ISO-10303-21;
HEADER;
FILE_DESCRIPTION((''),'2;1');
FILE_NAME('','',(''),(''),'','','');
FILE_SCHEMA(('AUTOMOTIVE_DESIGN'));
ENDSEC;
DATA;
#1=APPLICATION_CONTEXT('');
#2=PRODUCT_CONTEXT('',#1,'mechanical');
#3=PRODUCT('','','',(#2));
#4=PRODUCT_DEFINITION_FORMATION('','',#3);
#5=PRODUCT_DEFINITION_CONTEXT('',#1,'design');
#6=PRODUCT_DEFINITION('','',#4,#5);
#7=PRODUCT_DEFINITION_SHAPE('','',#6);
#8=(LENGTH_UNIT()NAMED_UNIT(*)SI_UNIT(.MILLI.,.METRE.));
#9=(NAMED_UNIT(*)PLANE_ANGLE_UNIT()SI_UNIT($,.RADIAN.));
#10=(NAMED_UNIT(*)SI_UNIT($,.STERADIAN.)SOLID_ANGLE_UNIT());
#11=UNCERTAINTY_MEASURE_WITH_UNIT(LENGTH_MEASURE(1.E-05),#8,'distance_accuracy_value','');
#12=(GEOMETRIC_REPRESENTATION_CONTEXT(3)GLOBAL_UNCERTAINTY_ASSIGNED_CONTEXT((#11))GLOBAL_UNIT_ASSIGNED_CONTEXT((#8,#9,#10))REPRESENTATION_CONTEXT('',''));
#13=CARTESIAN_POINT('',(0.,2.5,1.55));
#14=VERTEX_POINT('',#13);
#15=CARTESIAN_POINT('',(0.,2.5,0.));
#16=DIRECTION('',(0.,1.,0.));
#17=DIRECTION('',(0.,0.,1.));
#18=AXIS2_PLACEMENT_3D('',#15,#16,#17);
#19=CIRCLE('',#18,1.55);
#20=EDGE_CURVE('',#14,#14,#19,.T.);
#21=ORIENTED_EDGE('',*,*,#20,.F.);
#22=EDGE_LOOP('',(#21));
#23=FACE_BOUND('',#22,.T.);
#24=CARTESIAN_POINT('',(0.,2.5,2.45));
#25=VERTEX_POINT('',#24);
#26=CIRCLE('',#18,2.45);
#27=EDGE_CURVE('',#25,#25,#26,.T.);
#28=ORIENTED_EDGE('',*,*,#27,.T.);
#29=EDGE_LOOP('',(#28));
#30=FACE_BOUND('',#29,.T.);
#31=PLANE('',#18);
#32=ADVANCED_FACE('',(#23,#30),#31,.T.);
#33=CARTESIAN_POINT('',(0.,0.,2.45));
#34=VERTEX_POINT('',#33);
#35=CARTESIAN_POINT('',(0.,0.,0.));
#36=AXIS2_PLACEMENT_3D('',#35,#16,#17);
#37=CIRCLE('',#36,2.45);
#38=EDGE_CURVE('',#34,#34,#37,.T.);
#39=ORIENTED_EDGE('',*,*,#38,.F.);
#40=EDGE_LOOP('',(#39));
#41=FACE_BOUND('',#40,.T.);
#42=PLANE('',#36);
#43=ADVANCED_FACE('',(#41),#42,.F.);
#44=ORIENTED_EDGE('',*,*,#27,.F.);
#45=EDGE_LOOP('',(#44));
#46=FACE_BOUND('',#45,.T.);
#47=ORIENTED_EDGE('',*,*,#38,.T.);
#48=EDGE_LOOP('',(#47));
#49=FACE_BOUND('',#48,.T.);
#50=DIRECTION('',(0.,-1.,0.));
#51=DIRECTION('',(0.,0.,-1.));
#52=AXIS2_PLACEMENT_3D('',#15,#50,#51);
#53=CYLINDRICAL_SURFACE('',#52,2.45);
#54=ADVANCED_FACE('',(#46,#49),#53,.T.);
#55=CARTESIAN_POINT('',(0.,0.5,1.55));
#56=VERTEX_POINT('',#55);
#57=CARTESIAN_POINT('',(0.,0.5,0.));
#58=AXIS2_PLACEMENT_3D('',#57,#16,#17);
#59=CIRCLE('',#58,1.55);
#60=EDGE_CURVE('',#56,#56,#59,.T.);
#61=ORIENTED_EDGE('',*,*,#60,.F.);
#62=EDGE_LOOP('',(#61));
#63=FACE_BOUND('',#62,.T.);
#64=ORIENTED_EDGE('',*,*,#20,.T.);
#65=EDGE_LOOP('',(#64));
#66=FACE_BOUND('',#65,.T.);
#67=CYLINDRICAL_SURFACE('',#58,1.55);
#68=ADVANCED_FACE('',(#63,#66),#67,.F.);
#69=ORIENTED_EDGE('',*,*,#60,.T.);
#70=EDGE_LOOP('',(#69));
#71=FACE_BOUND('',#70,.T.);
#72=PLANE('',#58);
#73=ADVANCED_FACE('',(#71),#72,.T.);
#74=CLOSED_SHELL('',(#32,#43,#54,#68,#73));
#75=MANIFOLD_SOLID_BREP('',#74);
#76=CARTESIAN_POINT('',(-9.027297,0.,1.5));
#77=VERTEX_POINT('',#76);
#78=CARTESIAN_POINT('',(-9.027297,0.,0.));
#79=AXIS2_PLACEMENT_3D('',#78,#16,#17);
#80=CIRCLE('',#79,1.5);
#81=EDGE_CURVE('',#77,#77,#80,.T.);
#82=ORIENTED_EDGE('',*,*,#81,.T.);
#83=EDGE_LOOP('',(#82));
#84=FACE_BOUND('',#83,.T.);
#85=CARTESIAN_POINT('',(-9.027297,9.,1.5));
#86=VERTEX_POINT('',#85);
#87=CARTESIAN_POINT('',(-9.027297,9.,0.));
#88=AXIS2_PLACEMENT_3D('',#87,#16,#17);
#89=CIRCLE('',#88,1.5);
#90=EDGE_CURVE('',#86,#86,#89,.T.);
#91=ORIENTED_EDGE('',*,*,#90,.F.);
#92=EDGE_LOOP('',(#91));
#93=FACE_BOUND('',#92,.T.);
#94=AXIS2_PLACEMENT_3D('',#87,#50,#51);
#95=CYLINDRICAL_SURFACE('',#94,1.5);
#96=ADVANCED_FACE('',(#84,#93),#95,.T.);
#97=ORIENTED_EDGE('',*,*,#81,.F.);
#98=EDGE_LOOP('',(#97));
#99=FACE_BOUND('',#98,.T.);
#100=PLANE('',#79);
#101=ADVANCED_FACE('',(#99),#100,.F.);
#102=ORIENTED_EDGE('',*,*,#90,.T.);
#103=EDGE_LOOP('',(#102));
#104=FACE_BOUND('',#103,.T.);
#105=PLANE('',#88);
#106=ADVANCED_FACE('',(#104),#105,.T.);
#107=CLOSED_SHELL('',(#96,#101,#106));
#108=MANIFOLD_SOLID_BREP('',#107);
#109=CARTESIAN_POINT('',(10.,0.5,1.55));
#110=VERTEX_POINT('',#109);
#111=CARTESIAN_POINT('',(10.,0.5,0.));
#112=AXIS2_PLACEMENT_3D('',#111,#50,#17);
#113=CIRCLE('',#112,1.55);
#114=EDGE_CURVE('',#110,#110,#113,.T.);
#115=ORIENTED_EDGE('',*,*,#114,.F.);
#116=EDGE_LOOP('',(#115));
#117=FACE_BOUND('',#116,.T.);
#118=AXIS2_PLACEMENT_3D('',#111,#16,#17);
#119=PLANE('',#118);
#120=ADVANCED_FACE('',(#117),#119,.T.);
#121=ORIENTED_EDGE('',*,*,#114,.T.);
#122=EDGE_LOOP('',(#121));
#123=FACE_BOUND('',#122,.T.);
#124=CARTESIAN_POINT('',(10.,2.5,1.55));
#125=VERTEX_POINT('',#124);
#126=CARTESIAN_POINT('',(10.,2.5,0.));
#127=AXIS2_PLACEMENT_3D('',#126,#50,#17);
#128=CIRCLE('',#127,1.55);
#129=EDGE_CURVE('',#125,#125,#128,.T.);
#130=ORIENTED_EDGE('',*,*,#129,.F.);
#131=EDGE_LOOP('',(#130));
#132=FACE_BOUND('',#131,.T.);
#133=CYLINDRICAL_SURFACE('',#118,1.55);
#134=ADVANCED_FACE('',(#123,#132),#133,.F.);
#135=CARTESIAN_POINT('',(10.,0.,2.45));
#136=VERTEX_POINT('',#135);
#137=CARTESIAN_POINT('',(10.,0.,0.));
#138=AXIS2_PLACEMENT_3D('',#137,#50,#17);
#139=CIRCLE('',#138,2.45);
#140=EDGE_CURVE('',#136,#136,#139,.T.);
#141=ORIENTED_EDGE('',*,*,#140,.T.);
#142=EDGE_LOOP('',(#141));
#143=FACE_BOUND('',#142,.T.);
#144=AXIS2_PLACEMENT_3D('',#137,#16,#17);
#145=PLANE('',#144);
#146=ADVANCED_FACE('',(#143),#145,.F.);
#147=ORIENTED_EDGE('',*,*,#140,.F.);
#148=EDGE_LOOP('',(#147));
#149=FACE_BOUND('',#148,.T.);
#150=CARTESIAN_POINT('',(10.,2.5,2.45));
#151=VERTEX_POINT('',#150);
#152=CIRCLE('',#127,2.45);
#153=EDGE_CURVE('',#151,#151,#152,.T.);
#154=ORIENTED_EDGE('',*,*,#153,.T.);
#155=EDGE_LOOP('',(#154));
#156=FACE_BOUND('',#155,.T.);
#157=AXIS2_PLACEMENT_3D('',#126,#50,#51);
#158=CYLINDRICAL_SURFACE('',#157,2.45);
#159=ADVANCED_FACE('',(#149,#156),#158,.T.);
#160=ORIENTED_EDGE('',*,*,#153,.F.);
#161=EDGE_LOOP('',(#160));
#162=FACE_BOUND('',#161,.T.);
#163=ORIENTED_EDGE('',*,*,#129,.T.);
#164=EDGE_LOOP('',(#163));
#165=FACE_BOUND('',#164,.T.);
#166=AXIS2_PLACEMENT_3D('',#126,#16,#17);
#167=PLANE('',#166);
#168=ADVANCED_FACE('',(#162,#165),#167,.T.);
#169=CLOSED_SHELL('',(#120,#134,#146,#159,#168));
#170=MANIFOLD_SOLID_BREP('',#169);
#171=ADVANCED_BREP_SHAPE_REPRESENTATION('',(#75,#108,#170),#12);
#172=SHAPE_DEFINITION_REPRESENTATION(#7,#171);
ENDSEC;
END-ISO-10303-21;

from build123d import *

# Parameters (mm, degrees)
SKETCH1_R           = 2.45
BOSS_EXTRUDE1_DEPTH = 2.5
SKETCH2_R           = 1.5
BOSS_EXTRUDE2_DEPTH = 9
SKETCH4_R           = 1.55
CUT_EXTRUDE1_DEPTH  = 2


with BuildPart() as part:
    # Sketch1 → Boss-Extrude1 (new body)
    with BuildSketch(Plane(origin=(0, 0, 0), x_dir=(1, 0, 0), z_dir=(0, 1, 0))):
        with Locations(Location((0, 0, 0), (0, 0, 270))):
            Circle(SKETCH1_R)
    extrude(amount=BOSS_EXTRUDE1_DEPTH)

    # Sketch4 → Cut-Extrude1 (cut)
    with BuildSketch(Plane(origin=(0, 2.5, 0), x_dir=(1, 0, 0), z_dir=(0, 1, 0))):
        with Locations(Location((0, 0, 0), (0, 0, 270))):
            Circle(SKETCH4_R)
    extrude(amount=-CUT_EXTRUDE1_DEPTH, mode=Mode.SUBTRACT)


with BuildPart() as body_2:
    # Sketch2 → Boss-Extrude2 (new body)
    with BuildSketch(Plane(origin=(0, 0, 0), x_dir=(1, 0, 0), z_dir=(0, 1, 0))):
        with Locations(Location((-9.027296586, 0, 0), (0, 0, 270))):
            Circle(SKETCH2_R)
    extrude(amount=BOSS_EXTRUDE2_DEPTH)


with BuildPart() as body_3:
    # Mirror1: mirrored copy
    add(part.part.mirror(Plane(origin=(5, 0, 0), x_dir=(0, 0, 1), z_dir=(1, 0, 0))))


solid = Compound([part.part, body_2.part, body_3.part])
